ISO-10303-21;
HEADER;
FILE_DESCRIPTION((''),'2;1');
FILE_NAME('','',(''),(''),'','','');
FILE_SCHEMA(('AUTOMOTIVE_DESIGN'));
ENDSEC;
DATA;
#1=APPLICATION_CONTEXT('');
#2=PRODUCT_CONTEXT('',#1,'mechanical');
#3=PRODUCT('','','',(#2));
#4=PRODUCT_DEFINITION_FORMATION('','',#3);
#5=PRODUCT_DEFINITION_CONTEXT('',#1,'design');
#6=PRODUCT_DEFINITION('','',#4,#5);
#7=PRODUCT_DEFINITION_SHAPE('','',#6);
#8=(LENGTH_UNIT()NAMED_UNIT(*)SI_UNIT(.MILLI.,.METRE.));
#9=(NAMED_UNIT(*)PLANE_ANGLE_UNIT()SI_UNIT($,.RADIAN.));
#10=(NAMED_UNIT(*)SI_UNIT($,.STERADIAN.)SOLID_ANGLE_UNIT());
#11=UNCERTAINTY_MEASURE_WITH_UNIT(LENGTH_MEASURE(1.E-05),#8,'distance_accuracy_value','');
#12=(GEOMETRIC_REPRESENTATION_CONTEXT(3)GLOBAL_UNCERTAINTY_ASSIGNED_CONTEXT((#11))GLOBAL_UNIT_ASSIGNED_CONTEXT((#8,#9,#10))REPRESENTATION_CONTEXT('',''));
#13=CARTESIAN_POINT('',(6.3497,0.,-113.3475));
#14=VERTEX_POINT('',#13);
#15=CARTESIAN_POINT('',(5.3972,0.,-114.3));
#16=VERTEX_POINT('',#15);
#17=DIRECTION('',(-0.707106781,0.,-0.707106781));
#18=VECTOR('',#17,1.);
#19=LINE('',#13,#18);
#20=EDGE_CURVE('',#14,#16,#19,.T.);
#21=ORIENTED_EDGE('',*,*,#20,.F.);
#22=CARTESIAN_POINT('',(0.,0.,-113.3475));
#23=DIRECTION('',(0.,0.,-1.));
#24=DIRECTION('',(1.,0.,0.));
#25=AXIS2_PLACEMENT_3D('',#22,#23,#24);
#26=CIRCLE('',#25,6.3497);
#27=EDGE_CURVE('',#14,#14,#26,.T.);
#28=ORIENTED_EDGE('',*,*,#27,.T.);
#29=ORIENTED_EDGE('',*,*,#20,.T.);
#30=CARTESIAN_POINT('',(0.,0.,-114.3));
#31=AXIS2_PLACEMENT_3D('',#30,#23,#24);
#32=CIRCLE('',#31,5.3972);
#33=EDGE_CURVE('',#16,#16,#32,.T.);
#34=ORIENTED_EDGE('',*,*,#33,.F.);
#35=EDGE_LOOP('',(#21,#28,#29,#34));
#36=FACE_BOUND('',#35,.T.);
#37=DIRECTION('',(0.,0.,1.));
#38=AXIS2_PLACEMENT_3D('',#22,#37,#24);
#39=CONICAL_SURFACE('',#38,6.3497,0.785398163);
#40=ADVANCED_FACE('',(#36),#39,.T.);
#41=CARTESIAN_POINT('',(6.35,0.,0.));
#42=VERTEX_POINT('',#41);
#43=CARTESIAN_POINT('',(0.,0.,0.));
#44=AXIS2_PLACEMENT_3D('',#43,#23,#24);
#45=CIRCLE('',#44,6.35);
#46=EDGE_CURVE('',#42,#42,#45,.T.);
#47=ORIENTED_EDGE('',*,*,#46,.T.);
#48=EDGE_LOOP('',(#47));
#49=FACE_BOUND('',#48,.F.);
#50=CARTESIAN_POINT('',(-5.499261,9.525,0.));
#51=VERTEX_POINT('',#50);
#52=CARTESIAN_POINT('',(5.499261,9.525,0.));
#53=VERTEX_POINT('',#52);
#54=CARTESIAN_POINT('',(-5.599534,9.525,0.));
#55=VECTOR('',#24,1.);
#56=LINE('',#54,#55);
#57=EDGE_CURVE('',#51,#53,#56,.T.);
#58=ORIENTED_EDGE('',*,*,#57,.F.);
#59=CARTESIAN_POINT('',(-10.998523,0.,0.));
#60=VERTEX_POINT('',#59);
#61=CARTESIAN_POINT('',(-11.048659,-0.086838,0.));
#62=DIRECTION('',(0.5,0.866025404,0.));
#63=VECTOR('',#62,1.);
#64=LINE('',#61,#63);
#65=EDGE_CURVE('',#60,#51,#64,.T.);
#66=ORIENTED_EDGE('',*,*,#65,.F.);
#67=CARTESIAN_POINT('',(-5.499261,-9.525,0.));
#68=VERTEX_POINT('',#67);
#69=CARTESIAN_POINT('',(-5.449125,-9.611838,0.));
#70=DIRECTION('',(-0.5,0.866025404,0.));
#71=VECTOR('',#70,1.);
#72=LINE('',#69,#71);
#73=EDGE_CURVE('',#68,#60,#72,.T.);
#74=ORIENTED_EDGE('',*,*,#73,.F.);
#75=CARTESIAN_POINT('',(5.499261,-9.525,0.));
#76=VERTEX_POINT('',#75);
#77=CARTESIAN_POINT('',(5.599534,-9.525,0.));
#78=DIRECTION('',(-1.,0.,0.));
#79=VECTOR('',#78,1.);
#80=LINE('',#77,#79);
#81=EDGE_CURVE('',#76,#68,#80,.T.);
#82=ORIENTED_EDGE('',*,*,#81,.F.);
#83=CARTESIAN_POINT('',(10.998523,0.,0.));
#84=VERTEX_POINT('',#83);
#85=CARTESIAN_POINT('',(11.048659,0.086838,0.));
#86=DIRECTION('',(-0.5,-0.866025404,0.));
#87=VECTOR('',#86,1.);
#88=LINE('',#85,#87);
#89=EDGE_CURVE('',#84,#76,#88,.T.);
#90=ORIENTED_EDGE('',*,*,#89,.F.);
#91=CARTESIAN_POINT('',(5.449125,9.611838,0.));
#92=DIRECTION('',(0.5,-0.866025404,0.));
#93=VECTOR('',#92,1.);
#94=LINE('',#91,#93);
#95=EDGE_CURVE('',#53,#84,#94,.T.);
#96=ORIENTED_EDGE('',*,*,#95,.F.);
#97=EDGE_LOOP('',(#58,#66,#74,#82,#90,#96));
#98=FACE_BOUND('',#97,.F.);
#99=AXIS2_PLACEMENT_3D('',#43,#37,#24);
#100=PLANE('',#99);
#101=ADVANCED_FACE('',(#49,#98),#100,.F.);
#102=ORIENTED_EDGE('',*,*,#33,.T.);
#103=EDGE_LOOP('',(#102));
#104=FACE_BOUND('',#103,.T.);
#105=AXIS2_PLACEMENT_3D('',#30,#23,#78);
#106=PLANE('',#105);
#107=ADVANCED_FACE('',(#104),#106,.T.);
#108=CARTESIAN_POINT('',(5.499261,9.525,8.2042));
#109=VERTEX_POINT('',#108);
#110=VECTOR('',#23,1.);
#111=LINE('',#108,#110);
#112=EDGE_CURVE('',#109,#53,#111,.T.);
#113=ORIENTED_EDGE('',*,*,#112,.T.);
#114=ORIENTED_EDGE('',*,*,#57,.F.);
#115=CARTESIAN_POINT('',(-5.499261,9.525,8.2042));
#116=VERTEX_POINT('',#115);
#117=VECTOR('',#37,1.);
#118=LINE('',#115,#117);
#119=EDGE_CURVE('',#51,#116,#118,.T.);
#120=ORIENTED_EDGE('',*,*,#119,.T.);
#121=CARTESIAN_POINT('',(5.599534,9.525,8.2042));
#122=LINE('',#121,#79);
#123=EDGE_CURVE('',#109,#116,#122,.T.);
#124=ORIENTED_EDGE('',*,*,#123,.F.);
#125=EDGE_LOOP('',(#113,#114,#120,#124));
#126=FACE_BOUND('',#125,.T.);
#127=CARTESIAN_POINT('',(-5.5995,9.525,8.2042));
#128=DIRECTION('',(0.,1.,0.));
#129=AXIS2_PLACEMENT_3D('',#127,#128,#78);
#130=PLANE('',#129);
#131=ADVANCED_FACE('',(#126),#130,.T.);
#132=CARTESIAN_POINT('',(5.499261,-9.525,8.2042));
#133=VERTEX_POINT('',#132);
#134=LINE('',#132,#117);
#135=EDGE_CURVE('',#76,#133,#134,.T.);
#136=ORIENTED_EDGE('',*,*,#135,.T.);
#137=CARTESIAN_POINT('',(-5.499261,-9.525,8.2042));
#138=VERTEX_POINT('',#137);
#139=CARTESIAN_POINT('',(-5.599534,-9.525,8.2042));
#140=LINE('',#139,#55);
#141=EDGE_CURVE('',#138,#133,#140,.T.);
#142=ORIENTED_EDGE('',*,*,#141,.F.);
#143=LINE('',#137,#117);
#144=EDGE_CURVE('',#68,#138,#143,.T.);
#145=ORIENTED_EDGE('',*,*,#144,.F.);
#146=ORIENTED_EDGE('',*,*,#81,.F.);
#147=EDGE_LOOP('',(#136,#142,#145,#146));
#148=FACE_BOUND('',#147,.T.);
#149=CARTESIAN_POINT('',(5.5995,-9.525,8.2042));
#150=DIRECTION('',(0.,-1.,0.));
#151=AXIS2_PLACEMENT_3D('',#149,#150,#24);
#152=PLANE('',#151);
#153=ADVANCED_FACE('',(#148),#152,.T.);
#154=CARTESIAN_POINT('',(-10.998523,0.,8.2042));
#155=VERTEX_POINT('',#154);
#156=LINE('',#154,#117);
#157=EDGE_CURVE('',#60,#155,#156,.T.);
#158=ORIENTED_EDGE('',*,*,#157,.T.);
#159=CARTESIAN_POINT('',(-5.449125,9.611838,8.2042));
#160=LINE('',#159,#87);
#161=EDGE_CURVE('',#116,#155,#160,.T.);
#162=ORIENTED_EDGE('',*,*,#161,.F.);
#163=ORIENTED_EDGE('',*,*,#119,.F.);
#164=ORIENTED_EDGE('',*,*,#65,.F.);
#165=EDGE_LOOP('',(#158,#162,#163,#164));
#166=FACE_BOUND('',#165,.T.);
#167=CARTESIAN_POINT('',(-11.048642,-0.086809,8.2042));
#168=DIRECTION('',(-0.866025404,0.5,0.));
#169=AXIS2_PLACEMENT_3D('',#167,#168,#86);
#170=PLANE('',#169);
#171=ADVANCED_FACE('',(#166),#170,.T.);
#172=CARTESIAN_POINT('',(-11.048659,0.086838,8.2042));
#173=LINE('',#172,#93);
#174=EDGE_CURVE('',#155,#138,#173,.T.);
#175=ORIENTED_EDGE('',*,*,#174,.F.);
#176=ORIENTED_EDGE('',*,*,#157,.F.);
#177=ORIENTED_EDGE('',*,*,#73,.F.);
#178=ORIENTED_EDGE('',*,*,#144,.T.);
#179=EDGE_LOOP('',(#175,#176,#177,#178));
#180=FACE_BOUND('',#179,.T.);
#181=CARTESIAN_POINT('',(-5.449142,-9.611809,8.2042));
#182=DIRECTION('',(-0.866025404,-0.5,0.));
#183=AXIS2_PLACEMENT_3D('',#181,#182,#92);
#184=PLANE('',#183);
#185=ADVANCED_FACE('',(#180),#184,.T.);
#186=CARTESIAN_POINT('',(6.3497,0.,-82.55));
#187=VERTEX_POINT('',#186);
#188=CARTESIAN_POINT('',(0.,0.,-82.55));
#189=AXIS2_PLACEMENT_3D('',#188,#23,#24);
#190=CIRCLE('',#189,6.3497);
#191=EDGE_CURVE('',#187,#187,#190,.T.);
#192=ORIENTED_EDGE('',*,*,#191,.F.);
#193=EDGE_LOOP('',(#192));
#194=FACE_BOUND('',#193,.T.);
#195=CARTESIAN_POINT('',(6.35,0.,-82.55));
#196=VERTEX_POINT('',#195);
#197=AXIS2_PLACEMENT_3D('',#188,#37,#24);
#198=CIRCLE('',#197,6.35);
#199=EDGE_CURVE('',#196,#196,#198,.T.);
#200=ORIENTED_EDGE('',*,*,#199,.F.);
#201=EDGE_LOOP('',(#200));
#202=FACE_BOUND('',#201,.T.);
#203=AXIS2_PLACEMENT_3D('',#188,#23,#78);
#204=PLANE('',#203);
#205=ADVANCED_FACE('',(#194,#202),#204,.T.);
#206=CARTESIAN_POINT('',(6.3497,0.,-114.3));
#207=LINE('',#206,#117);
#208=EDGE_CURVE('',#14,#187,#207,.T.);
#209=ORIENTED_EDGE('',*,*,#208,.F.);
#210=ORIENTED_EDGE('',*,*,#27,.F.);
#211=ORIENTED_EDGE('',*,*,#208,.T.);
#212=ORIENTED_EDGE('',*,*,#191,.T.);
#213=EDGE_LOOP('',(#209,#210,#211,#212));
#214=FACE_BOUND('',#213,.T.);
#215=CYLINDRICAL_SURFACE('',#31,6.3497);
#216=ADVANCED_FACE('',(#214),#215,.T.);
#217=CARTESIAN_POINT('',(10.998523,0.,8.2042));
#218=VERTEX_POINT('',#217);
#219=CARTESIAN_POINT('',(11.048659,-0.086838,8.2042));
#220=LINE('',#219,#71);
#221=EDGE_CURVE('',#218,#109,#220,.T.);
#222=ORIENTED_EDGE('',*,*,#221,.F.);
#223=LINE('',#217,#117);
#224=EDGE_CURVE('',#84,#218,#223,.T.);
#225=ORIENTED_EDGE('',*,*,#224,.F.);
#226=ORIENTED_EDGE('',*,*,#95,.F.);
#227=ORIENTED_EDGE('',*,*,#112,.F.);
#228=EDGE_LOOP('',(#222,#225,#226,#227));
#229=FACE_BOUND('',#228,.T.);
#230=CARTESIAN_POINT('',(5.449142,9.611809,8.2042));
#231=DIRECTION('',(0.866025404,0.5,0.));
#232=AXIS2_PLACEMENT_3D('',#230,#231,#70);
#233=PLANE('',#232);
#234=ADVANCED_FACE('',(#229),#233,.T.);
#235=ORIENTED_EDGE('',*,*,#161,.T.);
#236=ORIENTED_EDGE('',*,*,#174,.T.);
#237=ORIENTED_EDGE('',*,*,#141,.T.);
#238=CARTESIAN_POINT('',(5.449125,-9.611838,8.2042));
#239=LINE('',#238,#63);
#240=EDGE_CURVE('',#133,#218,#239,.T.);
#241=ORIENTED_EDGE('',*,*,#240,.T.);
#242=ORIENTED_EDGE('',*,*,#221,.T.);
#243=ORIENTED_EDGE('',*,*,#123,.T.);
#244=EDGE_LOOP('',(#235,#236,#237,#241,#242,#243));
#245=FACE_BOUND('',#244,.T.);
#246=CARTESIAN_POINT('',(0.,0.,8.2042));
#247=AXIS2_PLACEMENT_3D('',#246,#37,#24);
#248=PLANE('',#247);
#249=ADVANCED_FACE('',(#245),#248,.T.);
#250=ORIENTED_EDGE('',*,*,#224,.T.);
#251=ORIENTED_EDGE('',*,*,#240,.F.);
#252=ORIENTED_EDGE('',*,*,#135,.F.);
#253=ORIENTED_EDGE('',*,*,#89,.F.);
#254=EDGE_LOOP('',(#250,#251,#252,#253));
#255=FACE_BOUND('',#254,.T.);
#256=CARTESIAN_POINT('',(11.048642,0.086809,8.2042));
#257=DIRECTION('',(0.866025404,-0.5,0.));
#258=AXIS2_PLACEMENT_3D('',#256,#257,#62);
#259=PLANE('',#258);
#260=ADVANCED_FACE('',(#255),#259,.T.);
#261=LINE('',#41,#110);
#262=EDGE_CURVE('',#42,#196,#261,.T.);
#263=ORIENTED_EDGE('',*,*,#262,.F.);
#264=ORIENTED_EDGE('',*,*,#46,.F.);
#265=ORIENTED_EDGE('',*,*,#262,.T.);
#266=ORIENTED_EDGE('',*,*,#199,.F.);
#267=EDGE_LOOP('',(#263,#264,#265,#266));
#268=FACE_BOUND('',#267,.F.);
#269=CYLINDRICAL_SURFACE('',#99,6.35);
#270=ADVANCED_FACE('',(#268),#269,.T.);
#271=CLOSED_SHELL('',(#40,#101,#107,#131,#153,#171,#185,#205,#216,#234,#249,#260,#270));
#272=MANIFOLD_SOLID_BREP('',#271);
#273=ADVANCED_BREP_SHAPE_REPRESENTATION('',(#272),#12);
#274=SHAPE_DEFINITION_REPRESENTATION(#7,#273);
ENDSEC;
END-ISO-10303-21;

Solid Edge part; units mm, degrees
sketch "Sketch1" plane through (0, 0, 0) normal (0, 0, 1) x (1, 0, 0)
  circle A0 centre (0, 0) radius 11.049
  dimension "D1" = 22.098
extrude "Protrusion1" add sketch "Sketch1" along normal blind 8.2042
sketch "Sketch2" plane through (0, 0, 0) normal (0, 0, -1) x (1, 0, 0)
  circle A0 centre (0, 0) radius 6.35
extrude "Protrusion2" add sketch "Sketch2" along normal blind 114.3
sketch "Sketch3" plane through (0, 0, -114.3) normal (0, 0, -1) x (1, 0, 0)
  circle A0 centre (0, 0) radius 6.3497
extrude "Cutout1" cut sketch "Sketch3" against normal blind 31.75 flip side to cut
chamfer "Chamfer_1" distance 0.9525 angle 45 1 edges at (-6.3497, 0, -114.3)
sketch "Sketch4" plane through (0, 0, 8.2042) normal (0, 0, 1) x (1, 0, 0)
  line L0 (-5.5995, 9.525) -> (5.5995, 9.525)
  dimension "D1" = 19.05
extrude "Cutout2" cut sketch "Sketch4" against normal up to next material side at (0, 9.575, 8.2042)
pattern_circular "Pattern1" count 6 over 360 about axis through (0, 0, 8.2042) along (0, 0, 1) of "Cutout2"
properties part number "24100037"
